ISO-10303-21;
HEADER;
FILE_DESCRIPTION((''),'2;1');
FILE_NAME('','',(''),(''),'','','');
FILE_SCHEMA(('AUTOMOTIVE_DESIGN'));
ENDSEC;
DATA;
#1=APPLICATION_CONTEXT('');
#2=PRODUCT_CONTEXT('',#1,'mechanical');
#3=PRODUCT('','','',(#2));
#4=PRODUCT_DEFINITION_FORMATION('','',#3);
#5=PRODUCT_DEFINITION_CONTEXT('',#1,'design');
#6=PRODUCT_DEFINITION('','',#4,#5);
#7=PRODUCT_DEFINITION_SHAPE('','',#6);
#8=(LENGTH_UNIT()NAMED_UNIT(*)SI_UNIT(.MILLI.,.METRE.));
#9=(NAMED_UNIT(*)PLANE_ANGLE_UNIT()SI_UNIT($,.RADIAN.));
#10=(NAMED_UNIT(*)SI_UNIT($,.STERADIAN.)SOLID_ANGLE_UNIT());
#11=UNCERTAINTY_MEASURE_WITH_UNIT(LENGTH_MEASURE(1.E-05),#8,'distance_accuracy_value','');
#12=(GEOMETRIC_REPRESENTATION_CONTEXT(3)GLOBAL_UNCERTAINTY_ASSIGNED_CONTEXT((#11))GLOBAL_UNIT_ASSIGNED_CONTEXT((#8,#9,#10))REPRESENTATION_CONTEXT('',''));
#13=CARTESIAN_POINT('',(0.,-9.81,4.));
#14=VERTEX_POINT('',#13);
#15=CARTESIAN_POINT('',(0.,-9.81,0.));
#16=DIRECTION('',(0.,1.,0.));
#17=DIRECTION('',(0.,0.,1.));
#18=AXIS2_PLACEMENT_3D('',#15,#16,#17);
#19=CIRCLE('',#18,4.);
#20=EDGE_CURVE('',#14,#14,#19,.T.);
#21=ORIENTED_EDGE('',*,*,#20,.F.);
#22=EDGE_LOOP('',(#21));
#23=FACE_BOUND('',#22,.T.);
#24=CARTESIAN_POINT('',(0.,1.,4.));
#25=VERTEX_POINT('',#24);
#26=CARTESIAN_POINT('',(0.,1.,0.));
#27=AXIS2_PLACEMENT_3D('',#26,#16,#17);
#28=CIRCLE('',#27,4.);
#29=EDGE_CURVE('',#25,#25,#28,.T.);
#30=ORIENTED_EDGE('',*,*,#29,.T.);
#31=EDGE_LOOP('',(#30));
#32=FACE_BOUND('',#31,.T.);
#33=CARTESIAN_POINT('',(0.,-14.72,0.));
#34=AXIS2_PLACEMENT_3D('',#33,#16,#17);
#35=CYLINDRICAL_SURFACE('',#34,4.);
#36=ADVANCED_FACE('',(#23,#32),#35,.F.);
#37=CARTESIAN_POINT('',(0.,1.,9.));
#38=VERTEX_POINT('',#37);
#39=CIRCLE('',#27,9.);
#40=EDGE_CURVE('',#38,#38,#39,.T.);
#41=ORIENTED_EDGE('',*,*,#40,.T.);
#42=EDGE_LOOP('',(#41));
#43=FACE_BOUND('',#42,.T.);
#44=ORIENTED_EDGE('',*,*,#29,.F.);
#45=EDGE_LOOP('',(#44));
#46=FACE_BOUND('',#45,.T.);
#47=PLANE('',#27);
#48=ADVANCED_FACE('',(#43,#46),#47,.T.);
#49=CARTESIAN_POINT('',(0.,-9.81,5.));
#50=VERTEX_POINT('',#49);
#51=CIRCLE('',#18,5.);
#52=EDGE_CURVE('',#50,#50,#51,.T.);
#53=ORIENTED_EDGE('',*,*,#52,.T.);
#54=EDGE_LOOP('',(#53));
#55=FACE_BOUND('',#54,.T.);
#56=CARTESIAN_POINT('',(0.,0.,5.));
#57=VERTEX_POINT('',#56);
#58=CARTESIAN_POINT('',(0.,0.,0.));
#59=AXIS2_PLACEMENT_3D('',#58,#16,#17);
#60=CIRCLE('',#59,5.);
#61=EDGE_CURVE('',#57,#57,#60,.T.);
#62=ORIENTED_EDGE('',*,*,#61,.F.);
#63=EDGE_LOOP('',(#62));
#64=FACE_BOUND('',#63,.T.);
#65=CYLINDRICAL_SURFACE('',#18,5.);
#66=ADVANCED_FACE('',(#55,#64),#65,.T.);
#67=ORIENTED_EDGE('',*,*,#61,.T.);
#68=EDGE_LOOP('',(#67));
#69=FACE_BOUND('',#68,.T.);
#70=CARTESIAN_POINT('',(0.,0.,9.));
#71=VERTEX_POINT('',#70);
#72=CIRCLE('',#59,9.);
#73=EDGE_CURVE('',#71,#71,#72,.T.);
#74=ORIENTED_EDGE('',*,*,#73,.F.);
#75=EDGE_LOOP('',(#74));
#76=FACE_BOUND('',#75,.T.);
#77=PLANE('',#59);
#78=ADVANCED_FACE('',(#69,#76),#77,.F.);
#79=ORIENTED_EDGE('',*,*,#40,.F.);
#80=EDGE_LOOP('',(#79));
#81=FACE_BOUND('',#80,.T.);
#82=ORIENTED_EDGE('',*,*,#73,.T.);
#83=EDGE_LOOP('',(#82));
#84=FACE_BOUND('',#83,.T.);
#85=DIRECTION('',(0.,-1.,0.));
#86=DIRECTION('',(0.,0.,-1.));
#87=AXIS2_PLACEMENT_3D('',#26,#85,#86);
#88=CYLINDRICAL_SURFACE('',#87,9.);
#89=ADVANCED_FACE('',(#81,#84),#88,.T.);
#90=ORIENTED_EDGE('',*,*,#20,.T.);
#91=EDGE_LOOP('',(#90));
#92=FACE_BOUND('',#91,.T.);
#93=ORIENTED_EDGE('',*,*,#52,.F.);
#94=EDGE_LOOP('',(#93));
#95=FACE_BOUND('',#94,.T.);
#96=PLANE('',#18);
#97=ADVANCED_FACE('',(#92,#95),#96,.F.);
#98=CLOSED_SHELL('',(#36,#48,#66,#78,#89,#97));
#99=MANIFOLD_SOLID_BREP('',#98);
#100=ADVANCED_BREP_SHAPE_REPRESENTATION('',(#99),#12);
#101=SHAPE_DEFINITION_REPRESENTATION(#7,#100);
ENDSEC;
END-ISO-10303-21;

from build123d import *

# Parameters (mm, degrees)
SKETCH1_R           = 5
BOSS_EXTRUDE1_DEPTH = 9.81
SKETCH2_R           = 9
BOSS_EXTRUDE2_DEPTH = 1
SKETCH3_R           = 4
CUT_EXTRUDE1_DEPTH  = 15.72


with BuildPart() as part:
    # Sketch1 → Boss-Extrude1 (new body)
    with BuildSketch(Plane(origin=(0, 0, 0), x_dir=(1, 0, 0), z_dir=(0, 1, 0))):
        Circle(SKETCH1_R)
    extrude(amount=-BOSS_EXTRUDE1_DEPTH)

    # Sketch2 → Boss-Extrude2 (add)
    with BuildSketch(Plane(origin=(0, 0, 0), x_dir=(1, 0, 0), z_dir=(0, 1, 0))):
        Circle(SKETCH2_R)
    extrude(amount=BOSS_EXTRUDE2_DEPTH)

    # Sketch3 → Cut-Extrude1 (cut)
    with BuildSketch(Plane(origin=(0, 1, 0), x_dir=(1, 0, 0), z_dir=(0, 1, 0))):
        Circle(SKETCH3_R)
    extrude(amount=-CUT_EXTRUDE1_DEPTH, mode=Mode.SUBTRACT)


solid = part.part
